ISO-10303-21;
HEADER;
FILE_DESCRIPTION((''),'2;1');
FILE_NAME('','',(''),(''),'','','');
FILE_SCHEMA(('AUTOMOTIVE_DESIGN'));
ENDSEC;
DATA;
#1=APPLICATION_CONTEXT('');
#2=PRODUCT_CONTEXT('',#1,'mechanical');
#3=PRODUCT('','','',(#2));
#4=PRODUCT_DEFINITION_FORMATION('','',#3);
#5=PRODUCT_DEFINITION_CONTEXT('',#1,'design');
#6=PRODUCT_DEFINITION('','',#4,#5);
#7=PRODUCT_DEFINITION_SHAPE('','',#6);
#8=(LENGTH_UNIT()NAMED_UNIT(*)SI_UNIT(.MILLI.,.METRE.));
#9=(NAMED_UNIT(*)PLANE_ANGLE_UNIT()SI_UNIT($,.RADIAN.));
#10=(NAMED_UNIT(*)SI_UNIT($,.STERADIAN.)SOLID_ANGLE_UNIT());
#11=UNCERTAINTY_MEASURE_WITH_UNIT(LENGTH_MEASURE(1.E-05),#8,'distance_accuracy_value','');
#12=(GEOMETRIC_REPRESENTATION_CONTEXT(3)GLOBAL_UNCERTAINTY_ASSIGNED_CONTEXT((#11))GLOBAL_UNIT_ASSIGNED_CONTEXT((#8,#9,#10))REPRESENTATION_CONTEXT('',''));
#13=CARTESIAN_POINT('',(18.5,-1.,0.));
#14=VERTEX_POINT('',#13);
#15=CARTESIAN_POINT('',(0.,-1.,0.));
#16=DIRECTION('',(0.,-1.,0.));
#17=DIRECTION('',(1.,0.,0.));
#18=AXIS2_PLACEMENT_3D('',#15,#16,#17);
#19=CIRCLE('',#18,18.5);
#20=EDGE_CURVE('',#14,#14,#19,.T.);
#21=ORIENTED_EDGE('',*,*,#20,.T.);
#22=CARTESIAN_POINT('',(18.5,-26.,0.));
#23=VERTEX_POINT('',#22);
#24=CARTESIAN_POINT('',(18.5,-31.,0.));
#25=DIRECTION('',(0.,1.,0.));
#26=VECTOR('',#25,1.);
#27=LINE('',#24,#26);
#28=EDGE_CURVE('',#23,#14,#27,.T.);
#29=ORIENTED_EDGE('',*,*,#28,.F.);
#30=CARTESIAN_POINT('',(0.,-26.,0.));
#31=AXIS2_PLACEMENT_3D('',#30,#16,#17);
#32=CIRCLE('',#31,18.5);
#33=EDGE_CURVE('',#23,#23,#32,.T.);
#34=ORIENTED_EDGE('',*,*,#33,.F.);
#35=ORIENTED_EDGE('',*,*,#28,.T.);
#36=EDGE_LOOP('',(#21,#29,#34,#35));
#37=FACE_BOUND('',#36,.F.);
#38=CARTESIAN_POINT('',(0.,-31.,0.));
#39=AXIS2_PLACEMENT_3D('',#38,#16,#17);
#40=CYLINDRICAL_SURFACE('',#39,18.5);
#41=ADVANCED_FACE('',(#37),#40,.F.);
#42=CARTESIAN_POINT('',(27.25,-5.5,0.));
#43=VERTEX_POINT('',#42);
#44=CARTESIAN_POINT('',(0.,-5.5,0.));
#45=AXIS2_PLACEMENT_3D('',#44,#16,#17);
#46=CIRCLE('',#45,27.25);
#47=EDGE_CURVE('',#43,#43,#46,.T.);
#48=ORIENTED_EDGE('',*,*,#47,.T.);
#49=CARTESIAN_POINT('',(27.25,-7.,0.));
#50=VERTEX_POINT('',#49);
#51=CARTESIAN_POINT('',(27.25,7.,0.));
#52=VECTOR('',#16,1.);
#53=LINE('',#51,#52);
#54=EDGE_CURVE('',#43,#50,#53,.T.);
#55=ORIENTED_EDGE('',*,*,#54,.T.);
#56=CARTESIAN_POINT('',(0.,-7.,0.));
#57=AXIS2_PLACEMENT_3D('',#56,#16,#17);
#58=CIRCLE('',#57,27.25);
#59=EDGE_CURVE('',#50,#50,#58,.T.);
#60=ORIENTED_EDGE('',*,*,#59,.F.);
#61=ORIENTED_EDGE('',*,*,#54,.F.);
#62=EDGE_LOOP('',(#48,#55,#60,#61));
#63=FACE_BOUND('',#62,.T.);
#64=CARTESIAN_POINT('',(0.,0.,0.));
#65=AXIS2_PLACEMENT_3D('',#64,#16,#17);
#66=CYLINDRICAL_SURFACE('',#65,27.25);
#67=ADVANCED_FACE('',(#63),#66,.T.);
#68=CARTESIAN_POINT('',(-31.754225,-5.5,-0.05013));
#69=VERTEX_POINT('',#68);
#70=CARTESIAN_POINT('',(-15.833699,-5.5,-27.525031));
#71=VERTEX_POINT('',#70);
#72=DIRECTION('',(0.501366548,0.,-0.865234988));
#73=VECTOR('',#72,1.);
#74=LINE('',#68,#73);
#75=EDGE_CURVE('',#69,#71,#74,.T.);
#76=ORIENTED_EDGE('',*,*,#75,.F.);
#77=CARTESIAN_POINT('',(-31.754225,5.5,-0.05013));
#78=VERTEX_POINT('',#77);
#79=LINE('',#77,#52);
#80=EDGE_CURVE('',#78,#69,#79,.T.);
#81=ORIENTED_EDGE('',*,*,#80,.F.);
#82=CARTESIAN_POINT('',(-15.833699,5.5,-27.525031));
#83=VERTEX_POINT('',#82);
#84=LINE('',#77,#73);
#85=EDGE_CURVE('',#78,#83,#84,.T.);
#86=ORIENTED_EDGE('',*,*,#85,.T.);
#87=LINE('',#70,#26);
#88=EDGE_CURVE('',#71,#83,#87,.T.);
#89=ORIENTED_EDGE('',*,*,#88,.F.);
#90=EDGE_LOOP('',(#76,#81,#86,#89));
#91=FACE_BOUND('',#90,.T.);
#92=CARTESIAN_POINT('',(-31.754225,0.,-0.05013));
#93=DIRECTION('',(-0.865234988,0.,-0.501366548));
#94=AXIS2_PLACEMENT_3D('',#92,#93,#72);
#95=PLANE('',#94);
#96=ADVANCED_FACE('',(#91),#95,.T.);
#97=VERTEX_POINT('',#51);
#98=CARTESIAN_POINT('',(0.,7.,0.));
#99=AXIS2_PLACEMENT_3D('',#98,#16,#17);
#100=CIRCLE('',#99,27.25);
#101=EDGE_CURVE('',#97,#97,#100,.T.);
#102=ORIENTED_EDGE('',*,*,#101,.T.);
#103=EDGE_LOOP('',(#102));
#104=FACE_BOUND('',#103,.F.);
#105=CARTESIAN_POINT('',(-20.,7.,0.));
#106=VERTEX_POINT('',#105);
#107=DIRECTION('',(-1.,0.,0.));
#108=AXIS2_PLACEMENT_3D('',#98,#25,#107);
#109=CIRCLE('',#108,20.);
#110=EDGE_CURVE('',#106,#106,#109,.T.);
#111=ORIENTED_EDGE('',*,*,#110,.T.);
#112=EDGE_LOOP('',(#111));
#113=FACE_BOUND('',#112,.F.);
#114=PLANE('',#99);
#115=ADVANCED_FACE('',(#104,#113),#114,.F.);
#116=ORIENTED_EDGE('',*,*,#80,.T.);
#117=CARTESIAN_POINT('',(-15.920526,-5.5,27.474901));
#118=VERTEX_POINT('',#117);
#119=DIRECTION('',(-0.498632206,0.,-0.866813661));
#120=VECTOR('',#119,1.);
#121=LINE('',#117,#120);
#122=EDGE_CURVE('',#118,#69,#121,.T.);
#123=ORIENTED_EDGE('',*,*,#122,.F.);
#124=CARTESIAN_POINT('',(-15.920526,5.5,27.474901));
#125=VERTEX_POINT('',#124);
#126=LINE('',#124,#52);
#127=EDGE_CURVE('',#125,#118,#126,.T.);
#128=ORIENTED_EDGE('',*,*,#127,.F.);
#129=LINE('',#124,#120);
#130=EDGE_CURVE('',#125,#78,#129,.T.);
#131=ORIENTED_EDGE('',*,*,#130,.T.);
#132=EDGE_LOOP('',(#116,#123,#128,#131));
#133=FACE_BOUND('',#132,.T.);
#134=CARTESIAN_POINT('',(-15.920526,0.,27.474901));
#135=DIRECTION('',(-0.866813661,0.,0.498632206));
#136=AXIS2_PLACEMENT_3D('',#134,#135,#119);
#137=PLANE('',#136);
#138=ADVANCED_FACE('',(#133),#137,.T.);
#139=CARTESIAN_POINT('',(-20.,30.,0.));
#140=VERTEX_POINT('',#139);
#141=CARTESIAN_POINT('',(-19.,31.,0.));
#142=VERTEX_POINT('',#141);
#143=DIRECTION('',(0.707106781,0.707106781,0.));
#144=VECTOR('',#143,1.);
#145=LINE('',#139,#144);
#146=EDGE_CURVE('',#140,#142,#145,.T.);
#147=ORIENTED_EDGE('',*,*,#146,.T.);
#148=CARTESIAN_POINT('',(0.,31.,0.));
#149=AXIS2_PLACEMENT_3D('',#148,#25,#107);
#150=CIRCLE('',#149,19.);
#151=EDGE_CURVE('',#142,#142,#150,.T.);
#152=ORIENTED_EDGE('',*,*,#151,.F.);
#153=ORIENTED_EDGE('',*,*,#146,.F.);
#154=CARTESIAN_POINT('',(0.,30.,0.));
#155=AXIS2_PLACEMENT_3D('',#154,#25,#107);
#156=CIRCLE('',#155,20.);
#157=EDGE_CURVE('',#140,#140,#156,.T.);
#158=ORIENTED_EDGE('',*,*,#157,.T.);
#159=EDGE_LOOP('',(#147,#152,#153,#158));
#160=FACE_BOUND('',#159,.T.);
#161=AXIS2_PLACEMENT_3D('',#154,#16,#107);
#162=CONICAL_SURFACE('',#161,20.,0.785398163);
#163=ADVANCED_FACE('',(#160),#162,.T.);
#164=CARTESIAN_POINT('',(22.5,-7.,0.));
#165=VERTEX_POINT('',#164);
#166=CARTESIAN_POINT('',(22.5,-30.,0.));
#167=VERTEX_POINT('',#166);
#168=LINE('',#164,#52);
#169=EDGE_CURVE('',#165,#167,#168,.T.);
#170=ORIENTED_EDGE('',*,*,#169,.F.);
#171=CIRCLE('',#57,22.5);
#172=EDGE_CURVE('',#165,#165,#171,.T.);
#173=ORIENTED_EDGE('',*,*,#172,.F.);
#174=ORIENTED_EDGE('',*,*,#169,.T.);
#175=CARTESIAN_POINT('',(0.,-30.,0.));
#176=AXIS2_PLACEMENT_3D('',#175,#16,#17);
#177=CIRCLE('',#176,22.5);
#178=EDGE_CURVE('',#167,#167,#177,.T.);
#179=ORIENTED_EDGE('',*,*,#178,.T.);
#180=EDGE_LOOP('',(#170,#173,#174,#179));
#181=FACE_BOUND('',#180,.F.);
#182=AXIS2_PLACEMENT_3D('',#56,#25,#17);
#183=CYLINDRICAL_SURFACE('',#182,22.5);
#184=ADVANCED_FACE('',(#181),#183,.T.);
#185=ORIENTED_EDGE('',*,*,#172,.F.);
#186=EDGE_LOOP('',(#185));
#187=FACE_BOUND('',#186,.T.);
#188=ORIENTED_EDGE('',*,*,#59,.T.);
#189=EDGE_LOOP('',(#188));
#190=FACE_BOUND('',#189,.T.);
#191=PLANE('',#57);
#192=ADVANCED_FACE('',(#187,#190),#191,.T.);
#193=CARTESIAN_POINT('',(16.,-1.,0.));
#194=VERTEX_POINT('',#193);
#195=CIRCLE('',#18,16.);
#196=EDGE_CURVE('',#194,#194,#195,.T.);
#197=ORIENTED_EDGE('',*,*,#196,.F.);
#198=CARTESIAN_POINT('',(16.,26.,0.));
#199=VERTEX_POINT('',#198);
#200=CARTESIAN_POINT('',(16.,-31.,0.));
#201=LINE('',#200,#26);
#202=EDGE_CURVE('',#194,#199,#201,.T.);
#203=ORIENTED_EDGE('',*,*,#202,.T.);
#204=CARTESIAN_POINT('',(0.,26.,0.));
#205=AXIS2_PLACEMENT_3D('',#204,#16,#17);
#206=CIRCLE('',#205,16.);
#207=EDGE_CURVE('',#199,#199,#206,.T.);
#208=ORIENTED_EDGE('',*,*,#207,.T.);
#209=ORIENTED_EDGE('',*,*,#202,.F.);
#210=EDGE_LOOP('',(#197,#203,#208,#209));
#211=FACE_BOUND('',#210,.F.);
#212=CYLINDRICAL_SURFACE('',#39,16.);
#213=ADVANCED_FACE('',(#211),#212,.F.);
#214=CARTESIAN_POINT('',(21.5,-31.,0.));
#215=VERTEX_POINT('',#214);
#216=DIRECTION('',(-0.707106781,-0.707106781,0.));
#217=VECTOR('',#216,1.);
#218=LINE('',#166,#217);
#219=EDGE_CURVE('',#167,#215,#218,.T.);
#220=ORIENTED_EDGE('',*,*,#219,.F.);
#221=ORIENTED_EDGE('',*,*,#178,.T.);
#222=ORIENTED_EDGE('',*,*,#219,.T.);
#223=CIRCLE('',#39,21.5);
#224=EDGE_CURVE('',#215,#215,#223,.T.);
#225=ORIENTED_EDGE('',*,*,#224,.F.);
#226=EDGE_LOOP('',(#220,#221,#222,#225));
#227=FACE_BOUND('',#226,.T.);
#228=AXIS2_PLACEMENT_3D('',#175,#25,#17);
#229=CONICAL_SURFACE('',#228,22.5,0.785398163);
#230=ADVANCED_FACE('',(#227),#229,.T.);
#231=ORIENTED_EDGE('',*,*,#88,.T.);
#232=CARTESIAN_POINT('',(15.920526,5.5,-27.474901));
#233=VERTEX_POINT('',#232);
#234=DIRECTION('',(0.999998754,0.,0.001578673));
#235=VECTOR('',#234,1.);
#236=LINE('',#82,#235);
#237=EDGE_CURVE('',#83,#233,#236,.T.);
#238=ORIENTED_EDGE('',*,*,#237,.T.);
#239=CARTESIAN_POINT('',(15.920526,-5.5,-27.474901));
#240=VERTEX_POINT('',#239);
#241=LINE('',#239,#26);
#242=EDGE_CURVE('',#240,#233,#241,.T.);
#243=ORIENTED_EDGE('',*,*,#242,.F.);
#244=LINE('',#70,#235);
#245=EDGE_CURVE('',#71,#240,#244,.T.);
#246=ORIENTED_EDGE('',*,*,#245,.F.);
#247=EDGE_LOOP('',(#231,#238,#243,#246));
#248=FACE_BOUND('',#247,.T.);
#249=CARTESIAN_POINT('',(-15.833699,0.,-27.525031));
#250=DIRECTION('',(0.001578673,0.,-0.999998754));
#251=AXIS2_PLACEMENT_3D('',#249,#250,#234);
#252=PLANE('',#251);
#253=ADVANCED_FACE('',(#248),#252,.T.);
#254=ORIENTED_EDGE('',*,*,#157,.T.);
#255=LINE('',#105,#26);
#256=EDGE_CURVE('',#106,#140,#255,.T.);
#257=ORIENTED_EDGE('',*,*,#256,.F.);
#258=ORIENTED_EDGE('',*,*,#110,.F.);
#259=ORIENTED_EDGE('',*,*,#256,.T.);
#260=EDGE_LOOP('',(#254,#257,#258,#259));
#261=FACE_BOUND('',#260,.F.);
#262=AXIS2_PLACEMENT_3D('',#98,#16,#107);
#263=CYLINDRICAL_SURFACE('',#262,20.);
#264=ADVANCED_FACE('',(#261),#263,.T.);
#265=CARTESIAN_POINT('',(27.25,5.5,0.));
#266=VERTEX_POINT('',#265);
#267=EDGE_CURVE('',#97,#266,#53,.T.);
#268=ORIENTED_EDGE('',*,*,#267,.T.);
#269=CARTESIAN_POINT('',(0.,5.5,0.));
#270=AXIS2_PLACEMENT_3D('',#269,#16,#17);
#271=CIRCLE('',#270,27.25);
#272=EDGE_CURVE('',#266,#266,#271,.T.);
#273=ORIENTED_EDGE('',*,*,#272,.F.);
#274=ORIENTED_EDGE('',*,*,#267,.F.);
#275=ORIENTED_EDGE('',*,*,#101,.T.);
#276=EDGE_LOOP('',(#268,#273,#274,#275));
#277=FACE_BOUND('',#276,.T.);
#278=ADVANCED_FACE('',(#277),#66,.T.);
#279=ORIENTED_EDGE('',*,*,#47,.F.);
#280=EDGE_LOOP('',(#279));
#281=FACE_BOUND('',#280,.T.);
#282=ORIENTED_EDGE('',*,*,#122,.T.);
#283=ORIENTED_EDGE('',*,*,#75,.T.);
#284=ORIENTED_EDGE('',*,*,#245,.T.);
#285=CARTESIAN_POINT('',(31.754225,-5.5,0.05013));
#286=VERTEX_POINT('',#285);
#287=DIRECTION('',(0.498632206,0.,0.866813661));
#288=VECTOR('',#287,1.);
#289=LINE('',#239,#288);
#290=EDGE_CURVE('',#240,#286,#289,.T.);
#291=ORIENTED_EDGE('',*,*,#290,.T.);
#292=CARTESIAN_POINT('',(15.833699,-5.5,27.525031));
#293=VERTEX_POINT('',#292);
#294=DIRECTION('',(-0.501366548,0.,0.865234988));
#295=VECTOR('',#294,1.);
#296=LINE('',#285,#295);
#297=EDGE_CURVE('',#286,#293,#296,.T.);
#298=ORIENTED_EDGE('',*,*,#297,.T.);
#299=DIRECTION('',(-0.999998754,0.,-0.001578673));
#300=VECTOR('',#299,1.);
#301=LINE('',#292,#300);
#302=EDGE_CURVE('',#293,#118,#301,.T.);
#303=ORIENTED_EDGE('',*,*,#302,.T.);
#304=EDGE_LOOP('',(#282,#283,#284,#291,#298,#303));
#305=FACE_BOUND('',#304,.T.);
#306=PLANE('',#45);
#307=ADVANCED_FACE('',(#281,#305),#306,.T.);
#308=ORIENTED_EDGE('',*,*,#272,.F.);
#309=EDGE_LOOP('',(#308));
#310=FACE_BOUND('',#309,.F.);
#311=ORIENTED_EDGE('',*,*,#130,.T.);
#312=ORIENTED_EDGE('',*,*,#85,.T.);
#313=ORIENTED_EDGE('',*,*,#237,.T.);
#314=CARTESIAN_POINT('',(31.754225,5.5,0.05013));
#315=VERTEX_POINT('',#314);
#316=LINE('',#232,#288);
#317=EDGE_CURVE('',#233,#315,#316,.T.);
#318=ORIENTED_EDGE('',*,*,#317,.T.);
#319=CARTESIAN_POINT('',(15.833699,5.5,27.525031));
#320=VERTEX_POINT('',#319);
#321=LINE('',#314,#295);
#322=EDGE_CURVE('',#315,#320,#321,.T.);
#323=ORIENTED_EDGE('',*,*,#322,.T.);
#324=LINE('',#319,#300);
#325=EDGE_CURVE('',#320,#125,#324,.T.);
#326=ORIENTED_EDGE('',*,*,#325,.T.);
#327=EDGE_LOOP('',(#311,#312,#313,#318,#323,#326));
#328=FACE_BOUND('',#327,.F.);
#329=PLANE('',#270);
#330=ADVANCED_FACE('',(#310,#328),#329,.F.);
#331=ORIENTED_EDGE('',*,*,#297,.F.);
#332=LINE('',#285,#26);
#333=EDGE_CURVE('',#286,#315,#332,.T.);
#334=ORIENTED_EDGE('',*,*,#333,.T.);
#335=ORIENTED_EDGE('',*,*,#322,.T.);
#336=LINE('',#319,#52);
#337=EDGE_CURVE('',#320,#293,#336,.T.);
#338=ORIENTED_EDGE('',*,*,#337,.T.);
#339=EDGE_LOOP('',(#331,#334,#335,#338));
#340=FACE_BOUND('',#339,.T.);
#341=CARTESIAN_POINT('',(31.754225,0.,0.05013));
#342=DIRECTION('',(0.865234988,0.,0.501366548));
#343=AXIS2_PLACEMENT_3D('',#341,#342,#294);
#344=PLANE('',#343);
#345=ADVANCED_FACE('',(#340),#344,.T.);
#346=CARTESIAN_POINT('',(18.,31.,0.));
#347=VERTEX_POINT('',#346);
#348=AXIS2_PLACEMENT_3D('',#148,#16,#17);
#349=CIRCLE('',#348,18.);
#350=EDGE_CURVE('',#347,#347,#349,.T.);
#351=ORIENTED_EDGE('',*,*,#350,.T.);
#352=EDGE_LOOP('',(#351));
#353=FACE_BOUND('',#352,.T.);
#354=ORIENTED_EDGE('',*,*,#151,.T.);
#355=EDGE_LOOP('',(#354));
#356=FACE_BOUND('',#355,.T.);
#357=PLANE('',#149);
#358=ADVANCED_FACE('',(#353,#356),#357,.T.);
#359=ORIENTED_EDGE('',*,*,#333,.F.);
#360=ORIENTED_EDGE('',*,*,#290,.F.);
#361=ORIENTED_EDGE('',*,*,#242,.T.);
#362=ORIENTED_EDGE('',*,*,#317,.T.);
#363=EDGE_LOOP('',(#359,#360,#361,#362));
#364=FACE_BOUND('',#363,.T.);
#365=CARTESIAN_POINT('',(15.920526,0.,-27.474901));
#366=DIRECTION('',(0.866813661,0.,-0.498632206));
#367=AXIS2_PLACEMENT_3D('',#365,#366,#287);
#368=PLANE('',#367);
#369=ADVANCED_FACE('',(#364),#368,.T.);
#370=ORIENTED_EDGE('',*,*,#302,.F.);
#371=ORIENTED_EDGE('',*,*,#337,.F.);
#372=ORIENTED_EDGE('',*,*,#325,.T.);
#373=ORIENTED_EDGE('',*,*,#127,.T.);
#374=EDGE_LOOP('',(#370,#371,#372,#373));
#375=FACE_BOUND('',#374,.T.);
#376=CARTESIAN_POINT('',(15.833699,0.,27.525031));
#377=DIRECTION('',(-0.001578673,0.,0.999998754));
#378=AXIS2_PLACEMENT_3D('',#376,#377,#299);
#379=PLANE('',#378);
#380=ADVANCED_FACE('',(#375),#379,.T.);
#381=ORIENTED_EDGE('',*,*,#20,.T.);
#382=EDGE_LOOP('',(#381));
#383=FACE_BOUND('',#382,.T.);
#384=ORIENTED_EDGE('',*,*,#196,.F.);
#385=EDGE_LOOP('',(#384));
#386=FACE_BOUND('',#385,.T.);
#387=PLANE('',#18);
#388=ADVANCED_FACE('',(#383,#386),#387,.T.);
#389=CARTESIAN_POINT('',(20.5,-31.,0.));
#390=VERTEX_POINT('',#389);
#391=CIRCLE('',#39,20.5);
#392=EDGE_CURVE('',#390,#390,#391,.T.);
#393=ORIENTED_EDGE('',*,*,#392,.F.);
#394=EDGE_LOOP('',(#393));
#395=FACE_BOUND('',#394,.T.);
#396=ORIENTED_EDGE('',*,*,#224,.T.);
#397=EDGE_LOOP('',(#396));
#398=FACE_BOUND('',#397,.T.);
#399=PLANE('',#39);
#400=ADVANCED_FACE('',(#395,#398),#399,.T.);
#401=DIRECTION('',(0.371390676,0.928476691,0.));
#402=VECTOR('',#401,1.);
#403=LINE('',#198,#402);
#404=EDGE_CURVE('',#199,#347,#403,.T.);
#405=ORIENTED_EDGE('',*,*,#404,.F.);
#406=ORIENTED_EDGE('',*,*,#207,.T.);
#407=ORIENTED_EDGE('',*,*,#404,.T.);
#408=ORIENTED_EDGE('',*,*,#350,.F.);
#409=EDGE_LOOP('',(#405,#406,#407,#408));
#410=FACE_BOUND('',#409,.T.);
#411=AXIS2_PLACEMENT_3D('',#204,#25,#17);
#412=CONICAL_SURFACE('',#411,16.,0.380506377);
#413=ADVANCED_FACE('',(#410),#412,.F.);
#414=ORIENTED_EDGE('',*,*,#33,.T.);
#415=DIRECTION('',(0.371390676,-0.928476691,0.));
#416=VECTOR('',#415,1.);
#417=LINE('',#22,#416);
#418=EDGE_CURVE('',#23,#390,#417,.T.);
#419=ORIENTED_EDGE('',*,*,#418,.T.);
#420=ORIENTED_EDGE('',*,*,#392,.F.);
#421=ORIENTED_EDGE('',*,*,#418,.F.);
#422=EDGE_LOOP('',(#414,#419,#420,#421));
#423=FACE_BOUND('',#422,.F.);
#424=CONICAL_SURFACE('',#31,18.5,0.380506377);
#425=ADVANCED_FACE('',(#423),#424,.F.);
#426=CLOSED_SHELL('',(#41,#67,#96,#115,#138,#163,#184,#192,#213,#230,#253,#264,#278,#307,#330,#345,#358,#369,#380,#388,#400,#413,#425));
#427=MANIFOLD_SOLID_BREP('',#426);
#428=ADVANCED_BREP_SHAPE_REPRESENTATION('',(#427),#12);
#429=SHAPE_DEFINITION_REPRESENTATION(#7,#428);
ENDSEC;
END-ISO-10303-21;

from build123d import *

# Parameters (mm, degrees)
F1_DEPTH    = 5.5
F2_R        = 27.25
F3_DEPTH    = 7
F4_R        = 22.5
F5_DEPTH    = 24
F6_R        = 20
F7_DEPTH    = 24
F8_R        = 16
F9_DEPTH    = 62.001
F10_R       = 18.5
F11_DEPTH   = 30
F12_SIZE    = 1
F13_SIZE2   = 2
F13_SIZE    = 5
F13_2_SIZE2 = 2
F13_2_SIZE  = 5


with BuildPart() as f1:
    # F0 (on Front) → F1 (new body, symmetric)
    with BuildSketch(Plane.XZ):
        Polygon((31.7542252363, 0.0501296029), (15.8336991085, 27.5250305336), (-15.9205261278, 27.4749009306), (-31.7542252363, -0.0501296029), (-15.8336991085, -27.5250305336), (15.9205261278, -27.4749009306), align=None)
    extrude(amount=F1_DEPTH, both=True)

    # F2 (on Front) → F3 (join, symmetric)
    with BuildSketch(Plane.XZ):
        Circle(F2_R)
    extrude(amount=F3_DEPTH, both=True)

    # F4 (on face) → F5 (join)
    with BuildSketch(Plane.XZ.offset(7)):
        Circle(F4_R)
    extrude(amount=F5_DEPTH)

    # F6 (on face) → F7 (join)
    with BuildSketch(Plane(origin=(0, 7, 0), x_dir=(-1, 0, 0), z_dir=(0, 1, 0))):
        Circle(F6_R)
    extrude(amount=F7_DEPTH)

    # F8 (on face) → F9 (cut, through all)
    with BuildSketch(Plane.XZ.offset(31)):
        Circle(F8_R)
    extrude(amount=-F9_DEPTH, mode=Mode.SUBTRACT)

    # F10 (on face) → F11 (cut)
    with BuildSketch(Plane.XZ.offset(31)):
        Circle(F10_R)
    extrude(amount=-F11_DEPTH, mode=Mode.SUBTRACT)

    # F12
    f12_edges = [f1.edges().sort_by_distance(p)[0] for p in [
        (-22.5, -31, 0),
        (20, 31, 0),
    ]]
    chamfer(f12_edges, length=F12_SIZE)

    # F13
    f13_edges = [f1.edges().sort_by_distance(p)[0] for p in [
        (-18.5, -31, 0),
    ]]
    f13_side = f1.faces().sort_by_distance((-18.5, -16, 0))[0]
    chamfer(f13_edges, length=F13_SIZE, length2=F13_SIZE2, reference=f13_side)

    # F13#2
    f13_2_edges = [f1.edges().sort_by_distance(p)[0] for p in [
        (-16, 31, 0),
    ]]
    f13_2_side = f1.faces().sort_by_distance((-16, 15, 0))[0]
    chamfer(f13_2_edges, length=F13_2_SIZE, length2=F13_2_SIZE2, reference=f13_2_side)


solid = f1.part
